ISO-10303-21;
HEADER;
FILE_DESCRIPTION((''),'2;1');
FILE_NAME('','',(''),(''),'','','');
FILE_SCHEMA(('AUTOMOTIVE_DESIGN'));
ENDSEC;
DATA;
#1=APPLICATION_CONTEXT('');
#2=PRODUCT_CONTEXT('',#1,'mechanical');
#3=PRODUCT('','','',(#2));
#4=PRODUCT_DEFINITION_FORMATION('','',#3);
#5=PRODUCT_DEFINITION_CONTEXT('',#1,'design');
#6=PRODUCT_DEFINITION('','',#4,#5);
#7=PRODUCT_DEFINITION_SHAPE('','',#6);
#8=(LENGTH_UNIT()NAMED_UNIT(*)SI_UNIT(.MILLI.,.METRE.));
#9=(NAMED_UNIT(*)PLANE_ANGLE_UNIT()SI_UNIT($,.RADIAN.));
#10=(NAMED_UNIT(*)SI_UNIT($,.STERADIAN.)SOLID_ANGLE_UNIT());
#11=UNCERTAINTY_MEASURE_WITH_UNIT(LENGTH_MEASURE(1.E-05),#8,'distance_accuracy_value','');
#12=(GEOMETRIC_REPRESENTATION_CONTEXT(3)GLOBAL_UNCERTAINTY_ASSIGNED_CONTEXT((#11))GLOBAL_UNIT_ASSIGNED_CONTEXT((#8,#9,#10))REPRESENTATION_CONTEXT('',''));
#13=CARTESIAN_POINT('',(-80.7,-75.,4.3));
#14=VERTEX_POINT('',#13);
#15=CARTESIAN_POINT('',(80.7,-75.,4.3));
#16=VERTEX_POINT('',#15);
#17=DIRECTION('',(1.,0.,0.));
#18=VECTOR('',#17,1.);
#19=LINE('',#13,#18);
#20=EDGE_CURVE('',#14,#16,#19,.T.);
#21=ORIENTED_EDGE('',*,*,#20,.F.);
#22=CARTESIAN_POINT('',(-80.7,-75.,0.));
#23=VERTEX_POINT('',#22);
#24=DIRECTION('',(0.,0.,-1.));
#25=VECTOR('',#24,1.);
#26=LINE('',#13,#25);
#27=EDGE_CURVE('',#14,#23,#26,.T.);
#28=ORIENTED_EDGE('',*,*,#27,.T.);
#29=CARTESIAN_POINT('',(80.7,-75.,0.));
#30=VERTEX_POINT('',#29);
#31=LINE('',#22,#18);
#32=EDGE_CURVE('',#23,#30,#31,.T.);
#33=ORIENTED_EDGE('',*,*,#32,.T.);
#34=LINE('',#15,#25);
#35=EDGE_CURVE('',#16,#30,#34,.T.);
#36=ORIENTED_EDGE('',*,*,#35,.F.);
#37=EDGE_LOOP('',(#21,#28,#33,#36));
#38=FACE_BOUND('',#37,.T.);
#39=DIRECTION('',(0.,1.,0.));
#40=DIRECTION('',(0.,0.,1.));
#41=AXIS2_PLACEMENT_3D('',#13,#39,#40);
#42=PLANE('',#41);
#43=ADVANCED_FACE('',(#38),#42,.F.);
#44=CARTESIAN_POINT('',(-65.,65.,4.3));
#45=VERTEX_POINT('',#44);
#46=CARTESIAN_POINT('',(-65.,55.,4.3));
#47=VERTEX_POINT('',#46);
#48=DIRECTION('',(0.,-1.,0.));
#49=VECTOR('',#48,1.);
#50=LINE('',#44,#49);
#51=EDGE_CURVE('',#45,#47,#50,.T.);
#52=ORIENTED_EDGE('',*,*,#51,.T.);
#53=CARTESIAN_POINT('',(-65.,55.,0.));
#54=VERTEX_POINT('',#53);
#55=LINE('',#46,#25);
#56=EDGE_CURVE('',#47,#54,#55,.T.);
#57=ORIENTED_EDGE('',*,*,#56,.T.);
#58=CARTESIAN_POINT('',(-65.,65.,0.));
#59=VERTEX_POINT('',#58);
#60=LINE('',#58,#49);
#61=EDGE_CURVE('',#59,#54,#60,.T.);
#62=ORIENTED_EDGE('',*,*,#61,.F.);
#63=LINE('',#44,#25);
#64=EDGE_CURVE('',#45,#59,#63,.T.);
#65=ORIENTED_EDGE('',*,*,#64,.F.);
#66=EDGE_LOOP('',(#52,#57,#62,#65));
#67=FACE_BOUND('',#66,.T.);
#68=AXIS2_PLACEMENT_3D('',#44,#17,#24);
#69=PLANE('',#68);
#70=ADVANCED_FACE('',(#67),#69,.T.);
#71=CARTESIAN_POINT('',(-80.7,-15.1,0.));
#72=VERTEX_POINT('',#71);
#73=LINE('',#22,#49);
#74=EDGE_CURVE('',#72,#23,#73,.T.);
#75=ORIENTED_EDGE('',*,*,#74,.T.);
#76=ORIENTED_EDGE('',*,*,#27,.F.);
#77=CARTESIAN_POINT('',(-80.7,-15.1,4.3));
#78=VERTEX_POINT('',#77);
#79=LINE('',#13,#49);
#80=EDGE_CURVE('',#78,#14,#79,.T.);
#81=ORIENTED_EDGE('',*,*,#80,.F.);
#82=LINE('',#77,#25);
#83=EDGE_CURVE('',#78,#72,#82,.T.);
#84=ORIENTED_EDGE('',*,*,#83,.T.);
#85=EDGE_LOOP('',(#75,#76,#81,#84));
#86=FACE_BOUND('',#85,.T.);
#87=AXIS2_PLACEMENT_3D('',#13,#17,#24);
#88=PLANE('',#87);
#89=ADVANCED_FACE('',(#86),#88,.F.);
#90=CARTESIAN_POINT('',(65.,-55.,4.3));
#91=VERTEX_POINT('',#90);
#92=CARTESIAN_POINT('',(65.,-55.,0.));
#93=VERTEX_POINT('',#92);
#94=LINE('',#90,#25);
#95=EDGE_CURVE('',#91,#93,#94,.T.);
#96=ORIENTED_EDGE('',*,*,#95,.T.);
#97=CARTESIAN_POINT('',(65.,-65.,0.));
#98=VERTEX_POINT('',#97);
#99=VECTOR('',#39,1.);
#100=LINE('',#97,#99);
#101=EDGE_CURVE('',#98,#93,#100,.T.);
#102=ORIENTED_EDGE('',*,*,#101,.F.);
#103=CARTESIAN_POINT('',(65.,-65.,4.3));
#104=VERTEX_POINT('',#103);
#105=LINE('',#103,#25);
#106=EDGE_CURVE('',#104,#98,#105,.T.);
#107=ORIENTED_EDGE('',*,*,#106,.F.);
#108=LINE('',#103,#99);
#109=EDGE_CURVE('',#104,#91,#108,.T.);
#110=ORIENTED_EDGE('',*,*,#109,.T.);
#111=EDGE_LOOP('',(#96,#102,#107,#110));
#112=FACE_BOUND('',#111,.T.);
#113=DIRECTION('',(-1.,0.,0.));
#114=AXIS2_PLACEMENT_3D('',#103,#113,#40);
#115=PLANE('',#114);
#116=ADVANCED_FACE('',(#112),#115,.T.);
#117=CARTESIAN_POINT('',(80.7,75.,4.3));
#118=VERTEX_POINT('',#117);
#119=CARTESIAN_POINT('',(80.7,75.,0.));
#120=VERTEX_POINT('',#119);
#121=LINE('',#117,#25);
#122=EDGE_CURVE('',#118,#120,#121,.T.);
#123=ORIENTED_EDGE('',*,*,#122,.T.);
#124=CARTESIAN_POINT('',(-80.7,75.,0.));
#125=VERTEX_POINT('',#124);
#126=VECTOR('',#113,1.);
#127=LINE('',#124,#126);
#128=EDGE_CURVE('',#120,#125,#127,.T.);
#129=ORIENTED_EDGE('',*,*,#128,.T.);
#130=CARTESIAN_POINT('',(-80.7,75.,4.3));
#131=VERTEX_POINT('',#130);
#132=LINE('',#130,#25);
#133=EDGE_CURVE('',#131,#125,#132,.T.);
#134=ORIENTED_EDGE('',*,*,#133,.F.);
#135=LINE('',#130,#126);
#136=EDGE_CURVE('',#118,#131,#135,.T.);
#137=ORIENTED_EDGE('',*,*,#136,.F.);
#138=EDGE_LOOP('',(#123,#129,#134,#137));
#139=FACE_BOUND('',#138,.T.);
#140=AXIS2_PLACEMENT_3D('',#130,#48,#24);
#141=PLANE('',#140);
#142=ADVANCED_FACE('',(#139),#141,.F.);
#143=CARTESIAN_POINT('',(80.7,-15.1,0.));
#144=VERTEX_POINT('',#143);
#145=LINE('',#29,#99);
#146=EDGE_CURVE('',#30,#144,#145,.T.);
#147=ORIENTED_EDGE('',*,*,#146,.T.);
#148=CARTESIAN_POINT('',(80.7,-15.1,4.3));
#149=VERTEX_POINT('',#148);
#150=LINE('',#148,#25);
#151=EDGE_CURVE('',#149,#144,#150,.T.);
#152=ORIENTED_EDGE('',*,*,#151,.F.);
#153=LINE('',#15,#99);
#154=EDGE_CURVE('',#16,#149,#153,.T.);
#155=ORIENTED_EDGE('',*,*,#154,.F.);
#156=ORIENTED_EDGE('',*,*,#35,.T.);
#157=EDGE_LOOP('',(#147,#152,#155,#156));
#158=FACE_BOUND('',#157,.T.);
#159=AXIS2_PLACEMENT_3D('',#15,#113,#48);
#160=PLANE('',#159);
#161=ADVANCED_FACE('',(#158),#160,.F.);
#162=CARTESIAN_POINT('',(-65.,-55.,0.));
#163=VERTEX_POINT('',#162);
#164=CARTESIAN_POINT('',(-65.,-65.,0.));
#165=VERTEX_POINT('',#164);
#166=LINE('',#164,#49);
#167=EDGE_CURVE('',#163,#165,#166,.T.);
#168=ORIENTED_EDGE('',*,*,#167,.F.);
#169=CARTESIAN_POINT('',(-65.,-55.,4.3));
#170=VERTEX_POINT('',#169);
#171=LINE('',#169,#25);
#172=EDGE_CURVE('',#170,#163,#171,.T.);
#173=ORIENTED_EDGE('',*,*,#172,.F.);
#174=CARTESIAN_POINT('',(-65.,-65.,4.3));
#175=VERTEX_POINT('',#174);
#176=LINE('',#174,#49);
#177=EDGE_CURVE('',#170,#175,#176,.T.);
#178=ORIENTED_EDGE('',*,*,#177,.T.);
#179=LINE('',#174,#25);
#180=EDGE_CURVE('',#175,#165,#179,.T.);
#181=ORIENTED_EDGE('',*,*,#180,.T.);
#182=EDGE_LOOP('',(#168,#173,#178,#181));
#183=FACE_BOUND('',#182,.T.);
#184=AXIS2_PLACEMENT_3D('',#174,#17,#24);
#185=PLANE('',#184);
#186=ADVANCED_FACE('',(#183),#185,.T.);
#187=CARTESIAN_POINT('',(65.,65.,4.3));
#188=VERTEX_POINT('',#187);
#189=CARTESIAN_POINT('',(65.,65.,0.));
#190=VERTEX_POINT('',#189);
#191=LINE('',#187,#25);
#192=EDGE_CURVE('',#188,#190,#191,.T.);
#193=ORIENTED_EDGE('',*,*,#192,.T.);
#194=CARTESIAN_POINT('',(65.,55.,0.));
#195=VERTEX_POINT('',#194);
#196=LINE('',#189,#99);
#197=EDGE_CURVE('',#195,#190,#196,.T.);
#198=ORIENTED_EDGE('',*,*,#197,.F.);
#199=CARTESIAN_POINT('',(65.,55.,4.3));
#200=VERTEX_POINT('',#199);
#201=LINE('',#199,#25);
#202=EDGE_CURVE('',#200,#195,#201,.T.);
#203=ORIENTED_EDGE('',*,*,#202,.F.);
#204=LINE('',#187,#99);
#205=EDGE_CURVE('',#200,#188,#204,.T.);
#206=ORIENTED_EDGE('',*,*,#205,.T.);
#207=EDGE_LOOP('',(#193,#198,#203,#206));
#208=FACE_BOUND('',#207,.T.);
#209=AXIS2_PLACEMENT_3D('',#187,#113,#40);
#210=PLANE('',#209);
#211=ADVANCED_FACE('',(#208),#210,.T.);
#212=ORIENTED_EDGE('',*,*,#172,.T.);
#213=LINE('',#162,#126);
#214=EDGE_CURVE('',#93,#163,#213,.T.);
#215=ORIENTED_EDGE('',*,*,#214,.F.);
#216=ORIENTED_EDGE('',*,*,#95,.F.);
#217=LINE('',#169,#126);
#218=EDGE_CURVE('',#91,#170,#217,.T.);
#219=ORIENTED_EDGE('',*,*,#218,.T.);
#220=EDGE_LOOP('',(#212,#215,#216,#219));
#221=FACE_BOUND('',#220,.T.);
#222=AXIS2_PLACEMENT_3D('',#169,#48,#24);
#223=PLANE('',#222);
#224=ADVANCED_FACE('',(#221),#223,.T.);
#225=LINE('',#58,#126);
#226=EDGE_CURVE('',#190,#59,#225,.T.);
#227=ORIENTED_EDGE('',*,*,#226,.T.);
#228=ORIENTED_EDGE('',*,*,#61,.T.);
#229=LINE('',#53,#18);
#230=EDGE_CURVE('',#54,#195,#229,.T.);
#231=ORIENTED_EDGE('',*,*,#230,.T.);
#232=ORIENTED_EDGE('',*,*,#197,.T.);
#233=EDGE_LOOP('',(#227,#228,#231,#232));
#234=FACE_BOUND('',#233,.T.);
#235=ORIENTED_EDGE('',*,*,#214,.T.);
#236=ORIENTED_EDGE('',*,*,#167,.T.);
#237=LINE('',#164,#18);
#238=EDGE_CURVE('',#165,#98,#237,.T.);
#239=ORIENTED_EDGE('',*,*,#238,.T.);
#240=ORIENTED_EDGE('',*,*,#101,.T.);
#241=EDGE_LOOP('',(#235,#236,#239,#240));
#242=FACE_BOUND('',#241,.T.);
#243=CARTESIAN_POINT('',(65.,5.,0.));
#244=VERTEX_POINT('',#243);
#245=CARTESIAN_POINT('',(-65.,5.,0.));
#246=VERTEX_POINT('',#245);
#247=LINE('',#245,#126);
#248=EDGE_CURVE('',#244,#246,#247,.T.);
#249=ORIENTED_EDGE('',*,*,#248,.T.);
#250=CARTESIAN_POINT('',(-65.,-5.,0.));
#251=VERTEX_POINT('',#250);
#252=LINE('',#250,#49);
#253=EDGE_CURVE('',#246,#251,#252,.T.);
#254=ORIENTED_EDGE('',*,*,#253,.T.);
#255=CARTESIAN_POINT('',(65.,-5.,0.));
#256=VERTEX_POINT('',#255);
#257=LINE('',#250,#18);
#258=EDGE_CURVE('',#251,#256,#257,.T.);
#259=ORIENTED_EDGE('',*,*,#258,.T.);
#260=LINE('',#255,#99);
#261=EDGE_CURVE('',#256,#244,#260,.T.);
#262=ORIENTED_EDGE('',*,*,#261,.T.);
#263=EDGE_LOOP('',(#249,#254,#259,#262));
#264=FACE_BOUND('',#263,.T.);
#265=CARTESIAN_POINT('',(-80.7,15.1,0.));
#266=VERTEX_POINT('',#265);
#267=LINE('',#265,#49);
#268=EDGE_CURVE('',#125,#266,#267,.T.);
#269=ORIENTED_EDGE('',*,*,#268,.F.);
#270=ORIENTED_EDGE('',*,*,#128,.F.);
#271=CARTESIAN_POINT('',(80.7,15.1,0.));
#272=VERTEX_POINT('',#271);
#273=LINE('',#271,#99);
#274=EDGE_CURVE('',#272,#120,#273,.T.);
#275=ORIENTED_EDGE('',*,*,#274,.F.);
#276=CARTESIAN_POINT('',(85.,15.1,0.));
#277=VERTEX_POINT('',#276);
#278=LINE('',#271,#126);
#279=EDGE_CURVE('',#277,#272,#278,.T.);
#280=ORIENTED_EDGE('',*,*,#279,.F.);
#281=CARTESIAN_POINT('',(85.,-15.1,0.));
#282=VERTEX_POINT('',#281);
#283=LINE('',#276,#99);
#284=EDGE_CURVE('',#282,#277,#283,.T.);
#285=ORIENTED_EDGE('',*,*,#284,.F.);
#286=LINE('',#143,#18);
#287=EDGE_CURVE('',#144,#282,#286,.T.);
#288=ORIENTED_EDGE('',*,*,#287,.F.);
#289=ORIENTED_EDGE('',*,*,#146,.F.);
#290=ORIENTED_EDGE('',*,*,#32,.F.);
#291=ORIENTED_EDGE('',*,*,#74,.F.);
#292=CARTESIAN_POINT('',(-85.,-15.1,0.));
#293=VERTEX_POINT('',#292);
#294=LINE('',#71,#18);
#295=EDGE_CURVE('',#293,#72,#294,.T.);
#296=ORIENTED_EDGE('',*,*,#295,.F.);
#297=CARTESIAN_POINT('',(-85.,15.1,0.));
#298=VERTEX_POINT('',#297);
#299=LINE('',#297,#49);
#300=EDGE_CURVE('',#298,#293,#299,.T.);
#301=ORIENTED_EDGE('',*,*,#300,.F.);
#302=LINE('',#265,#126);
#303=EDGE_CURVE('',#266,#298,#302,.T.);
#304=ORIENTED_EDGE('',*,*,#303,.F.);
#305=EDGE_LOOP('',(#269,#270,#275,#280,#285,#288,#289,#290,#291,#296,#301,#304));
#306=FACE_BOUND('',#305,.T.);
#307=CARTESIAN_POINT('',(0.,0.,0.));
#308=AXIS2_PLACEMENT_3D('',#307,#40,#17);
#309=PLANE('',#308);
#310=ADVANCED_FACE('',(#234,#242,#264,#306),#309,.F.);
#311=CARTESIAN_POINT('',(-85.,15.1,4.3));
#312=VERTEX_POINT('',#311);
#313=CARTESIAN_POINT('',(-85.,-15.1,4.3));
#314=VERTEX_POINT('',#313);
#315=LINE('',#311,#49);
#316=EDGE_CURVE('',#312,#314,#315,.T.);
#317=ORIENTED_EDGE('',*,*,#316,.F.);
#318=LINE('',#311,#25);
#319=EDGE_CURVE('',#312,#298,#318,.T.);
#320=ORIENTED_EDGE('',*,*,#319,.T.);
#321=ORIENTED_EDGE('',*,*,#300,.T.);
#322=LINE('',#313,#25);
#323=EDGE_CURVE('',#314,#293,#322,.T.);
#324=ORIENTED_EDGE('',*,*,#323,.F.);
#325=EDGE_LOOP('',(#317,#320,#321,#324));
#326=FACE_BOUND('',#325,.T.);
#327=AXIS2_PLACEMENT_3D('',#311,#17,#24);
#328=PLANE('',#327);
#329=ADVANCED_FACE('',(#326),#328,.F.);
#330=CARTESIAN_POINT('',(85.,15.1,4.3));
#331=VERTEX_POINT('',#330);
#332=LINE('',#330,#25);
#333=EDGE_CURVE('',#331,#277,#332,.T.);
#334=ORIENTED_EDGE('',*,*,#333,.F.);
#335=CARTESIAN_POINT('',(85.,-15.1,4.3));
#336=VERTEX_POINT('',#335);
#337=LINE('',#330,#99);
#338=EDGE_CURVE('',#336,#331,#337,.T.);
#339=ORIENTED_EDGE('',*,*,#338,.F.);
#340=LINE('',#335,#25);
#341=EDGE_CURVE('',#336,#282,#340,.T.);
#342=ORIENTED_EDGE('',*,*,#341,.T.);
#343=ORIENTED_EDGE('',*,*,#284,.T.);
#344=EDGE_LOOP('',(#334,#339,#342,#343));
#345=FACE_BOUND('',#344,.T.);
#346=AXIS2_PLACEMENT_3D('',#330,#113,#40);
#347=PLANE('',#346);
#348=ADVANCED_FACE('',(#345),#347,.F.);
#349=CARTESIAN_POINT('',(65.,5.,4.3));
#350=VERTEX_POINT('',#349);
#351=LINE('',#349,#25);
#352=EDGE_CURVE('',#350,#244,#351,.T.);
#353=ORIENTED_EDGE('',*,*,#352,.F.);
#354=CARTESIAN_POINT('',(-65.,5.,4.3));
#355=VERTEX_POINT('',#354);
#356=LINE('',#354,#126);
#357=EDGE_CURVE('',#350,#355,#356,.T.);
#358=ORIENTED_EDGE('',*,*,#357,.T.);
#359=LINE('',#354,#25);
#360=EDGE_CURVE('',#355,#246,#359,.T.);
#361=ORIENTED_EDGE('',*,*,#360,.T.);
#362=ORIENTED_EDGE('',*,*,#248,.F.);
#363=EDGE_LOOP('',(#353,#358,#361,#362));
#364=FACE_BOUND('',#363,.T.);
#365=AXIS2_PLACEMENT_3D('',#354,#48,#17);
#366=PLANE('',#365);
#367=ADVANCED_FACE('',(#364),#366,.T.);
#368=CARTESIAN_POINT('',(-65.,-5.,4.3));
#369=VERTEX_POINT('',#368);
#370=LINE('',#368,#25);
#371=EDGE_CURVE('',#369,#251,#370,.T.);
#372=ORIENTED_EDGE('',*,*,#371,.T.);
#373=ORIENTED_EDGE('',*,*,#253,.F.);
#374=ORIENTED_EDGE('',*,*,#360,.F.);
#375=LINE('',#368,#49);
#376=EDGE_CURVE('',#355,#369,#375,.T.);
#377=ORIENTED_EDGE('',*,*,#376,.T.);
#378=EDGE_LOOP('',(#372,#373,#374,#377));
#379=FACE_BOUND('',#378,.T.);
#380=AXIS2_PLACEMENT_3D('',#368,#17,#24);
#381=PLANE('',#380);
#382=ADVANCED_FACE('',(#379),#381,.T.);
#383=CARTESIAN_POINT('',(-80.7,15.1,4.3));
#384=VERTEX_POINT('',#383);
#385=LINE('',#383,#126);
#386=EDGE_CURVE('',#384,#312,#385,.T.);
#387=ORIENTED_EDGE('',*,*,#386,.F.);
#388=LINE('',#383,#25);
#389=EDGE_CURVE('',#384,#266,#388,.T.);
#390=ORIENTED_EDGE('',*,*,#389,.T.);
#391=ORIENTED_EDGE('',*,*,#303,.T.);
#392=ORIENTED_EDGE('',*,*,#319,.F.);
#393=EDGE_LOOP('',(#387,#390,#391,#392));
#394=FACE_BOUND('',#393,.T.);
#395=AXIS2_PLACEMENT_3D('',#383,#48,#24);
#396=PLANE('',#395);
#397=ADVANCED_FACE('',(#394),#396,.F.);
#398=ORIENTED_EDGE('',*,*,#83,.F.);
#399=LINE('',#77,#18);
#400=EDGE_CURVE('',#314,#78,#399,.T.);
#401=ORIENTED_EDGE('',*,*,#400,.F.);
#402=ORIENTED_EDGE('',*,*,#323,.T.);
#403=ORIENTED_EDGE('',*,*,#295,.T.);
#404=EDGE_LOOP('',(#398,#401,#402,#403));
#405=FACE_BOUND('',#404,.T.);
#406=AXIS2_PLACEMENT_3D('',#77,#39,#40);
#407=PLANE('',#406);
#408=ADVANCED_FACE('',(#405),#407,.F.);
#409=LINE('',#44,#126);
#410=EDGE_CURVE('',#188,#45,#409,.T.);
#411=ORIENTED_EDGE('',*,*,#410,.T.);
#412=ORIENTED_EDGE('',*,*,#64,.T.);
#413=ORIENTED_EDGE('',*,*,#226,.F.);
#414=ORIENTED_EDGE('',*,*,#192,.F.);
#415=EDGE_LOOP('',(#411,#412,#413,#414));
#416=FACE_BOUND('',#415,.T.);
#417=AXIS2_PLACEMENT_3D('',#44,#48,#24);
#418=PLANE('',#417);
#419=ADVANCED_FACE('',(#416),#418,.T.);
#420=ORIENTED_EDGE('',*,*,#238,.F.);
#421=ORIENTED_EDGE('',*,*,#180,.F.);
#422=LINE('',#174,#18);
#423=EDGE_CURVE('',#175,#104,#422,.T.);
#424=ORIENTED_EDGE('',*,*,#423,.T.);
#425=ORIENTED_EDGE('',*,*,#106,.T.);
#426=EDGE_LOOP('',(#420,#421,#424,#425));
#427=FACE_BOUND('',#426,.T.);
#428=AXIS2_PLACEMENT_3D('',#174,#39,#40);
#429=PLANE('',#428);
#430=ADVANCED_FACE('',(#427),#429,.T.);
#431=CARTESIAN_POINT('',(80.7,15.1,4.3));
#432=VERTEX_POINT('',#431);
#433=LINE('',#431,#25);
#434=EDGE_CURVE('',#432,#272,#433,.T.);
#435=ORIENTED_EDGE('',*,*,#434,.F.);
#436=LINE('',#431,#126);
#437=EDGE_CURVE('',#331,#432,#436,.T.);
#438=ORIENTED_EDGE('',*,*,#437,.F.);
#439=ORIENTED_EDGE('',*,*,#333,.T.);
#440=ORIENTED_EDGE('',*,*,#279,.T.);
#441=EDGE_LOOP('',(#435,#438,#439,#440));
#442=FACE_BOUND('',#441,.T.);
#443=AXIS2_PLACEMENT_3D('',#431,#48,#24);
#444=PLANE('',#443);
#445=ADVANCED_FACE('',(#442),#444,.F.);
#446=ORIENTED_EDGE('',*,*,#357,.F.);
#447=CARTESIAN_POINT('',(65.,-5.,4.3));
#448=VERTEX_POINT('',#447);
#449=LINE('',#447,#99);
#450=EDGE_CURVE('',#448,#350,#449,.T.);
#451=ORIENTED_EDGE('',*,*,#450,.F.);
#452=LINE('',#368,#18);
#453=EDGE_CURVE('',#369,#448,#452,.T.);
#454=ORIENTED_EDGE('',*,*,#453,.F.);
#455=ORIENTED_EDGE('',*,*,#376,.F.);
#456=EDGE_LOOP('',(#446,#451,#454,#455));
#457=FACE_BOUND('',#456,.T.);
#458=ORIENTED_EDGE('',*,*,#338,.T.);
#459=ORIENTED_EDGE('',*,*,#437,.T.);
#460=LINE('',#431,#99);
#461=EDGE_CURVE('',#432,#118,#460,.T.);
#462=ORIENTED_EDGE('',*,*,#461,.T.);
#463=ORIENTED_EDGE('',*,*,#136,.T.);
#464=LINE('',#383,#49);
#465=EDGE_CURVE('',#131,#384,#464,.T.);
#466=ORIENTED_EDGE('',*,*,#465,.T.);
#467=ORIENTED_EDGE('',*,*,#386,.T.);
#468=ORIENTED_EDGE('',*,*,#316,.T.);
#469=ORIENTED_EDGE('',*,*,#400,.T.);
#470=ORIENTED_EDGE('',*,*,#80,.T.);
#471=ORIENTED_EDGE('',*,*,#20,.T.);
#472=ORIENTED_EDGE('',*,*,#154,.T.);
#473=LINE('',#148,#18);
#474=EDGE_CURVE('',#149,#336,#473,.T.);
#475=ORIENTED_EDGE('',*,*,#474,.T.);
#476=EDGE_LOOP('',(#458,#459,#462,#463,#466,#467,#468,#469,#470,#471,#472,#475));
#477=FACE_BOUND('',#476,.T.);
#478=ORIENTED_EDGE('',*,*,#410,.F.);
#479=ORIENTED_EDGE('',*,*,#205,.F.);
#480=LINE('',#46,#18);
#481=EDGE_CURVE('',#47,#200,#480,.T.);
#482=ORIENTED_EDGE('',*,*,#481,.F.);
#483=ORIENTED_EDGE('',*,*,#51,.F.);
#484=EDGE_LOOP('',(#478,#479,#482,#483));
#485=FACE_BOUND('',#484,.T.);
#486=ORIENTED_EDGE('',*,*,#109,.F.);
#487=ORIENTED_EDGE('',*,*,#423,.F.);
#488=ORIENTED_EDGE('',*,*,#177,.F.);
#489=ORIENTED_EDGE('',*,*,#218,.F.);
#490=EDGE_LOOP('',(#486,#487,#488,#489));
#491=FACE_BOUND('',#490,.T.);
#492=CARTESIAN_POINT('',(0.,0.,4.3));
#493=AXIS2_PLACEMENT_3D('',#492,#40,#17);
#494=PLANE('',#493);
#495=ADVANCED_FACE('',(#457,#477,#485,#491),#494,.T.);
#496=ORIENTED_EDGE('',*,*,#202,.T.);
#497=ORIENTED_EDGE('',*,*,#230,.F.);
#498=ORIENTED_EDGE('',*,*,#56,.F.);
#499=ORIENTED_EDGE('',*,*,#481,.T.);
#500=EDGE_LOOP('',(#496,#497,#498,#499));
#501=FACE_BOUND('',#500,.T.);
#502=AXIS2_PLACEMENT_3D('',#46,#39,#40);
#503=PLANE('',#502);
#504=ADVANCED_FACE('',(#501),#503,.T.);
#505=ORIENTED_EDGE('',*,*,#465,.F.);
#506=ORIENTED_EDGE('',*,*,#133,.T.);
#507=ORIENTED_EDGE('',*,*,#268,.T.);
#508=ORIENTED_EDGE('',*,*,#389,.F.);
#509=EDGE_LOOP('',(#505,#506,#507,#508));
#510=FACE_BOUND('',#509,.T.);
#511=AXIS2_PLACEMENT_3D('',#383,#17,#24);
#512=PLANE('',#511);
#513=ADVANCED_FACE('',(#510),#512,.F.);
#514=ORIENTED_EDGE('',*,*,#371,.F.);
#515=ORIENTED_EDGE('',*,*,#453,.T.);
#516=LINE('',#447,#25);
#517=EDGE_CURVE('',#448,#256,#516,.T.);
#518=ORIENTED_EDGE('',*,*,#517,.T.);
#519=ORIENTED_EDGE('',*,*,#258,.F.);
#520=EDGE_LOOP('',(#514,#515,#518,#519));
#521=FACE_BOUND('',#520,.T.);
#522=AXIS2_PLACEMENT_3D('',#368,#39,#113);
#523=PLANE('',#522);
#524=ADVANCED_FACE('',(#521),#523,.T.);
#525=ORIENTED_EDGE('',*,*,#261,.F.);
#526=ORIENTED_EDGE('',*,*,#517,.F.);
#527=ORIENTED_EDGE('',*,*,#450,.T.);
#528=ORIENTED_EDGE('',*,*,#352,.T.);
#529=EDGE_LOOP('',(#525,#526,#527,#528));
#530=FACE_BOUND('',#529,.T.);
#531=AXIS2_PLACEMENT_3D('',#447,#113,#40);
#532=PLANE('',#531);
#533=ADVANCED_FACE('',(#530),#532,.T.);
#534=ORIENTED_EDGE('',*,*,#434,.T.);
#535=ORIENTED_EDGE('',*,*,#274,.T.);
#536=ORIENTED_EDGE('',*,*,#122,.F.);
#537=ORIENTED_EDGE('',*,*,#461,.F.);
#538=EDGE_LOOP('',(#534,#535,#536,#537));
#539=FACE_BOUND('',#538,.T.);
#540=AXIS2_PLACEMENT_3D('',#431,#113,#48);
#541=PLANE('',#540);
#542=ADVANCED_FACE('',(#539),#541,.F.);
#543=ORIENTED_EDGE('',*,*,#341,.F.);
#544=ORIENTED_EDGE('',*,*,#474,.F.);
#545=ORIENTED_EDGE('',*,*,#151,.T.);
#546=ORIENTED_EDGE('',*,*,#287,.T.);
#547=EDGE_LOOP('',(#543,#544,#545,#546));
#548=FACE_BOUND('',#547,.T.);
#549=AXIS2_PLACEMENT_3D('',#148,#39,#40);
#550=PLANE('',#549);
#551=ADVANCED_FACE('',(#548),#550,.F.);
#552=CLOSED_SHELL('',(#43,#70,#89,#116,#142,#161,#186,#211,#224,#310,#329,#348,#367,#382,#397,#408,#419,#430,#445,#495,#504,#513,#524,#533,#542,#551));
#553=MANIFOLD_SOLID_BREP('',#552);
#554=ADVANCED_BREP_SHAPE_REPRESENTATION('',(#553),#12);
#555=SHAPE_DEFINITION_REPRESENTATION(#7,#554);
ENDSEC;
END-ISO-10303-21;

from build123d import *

# Parameters (mm, degrees)
SKETCH1_W           = 130
SKETCH1_H           = 10
BOSS_EXTRUDE1_DEPTH = 4.3


with BuildPart() as part:
    # Sketch1 → Boss-Extrude1 (new body)
    with BuildSketch(Plane.XY):
        Polygon((80.7, 15.1), (80.7, 75), (-80.7, 75), (-80.7, 15.1), (-85, 15.1), (-85, -15.1), (-80.7, -15.1), (-80.7, -75), (80.7, -75), (80.7, -15.1), (85, -15.1), (85, 15.1), align=None)
        with Locations((0, 60)):
            Rectangle(SKETCH1_W, SKETCH1_H, mode=Mode.SUBTRACT)
        Rectangle(SKETCH1_W, SKETCH1_H, mode=Mode.SUBTRACT)
        with Locations((0, -60)):
            Rectangle(SKETCH1_W, SKETCH1_H, mode=Mode.SUBTRACT)
    extrude(amount=BOSS_EXTRUDE1_DEPTH)


solid = part.part
